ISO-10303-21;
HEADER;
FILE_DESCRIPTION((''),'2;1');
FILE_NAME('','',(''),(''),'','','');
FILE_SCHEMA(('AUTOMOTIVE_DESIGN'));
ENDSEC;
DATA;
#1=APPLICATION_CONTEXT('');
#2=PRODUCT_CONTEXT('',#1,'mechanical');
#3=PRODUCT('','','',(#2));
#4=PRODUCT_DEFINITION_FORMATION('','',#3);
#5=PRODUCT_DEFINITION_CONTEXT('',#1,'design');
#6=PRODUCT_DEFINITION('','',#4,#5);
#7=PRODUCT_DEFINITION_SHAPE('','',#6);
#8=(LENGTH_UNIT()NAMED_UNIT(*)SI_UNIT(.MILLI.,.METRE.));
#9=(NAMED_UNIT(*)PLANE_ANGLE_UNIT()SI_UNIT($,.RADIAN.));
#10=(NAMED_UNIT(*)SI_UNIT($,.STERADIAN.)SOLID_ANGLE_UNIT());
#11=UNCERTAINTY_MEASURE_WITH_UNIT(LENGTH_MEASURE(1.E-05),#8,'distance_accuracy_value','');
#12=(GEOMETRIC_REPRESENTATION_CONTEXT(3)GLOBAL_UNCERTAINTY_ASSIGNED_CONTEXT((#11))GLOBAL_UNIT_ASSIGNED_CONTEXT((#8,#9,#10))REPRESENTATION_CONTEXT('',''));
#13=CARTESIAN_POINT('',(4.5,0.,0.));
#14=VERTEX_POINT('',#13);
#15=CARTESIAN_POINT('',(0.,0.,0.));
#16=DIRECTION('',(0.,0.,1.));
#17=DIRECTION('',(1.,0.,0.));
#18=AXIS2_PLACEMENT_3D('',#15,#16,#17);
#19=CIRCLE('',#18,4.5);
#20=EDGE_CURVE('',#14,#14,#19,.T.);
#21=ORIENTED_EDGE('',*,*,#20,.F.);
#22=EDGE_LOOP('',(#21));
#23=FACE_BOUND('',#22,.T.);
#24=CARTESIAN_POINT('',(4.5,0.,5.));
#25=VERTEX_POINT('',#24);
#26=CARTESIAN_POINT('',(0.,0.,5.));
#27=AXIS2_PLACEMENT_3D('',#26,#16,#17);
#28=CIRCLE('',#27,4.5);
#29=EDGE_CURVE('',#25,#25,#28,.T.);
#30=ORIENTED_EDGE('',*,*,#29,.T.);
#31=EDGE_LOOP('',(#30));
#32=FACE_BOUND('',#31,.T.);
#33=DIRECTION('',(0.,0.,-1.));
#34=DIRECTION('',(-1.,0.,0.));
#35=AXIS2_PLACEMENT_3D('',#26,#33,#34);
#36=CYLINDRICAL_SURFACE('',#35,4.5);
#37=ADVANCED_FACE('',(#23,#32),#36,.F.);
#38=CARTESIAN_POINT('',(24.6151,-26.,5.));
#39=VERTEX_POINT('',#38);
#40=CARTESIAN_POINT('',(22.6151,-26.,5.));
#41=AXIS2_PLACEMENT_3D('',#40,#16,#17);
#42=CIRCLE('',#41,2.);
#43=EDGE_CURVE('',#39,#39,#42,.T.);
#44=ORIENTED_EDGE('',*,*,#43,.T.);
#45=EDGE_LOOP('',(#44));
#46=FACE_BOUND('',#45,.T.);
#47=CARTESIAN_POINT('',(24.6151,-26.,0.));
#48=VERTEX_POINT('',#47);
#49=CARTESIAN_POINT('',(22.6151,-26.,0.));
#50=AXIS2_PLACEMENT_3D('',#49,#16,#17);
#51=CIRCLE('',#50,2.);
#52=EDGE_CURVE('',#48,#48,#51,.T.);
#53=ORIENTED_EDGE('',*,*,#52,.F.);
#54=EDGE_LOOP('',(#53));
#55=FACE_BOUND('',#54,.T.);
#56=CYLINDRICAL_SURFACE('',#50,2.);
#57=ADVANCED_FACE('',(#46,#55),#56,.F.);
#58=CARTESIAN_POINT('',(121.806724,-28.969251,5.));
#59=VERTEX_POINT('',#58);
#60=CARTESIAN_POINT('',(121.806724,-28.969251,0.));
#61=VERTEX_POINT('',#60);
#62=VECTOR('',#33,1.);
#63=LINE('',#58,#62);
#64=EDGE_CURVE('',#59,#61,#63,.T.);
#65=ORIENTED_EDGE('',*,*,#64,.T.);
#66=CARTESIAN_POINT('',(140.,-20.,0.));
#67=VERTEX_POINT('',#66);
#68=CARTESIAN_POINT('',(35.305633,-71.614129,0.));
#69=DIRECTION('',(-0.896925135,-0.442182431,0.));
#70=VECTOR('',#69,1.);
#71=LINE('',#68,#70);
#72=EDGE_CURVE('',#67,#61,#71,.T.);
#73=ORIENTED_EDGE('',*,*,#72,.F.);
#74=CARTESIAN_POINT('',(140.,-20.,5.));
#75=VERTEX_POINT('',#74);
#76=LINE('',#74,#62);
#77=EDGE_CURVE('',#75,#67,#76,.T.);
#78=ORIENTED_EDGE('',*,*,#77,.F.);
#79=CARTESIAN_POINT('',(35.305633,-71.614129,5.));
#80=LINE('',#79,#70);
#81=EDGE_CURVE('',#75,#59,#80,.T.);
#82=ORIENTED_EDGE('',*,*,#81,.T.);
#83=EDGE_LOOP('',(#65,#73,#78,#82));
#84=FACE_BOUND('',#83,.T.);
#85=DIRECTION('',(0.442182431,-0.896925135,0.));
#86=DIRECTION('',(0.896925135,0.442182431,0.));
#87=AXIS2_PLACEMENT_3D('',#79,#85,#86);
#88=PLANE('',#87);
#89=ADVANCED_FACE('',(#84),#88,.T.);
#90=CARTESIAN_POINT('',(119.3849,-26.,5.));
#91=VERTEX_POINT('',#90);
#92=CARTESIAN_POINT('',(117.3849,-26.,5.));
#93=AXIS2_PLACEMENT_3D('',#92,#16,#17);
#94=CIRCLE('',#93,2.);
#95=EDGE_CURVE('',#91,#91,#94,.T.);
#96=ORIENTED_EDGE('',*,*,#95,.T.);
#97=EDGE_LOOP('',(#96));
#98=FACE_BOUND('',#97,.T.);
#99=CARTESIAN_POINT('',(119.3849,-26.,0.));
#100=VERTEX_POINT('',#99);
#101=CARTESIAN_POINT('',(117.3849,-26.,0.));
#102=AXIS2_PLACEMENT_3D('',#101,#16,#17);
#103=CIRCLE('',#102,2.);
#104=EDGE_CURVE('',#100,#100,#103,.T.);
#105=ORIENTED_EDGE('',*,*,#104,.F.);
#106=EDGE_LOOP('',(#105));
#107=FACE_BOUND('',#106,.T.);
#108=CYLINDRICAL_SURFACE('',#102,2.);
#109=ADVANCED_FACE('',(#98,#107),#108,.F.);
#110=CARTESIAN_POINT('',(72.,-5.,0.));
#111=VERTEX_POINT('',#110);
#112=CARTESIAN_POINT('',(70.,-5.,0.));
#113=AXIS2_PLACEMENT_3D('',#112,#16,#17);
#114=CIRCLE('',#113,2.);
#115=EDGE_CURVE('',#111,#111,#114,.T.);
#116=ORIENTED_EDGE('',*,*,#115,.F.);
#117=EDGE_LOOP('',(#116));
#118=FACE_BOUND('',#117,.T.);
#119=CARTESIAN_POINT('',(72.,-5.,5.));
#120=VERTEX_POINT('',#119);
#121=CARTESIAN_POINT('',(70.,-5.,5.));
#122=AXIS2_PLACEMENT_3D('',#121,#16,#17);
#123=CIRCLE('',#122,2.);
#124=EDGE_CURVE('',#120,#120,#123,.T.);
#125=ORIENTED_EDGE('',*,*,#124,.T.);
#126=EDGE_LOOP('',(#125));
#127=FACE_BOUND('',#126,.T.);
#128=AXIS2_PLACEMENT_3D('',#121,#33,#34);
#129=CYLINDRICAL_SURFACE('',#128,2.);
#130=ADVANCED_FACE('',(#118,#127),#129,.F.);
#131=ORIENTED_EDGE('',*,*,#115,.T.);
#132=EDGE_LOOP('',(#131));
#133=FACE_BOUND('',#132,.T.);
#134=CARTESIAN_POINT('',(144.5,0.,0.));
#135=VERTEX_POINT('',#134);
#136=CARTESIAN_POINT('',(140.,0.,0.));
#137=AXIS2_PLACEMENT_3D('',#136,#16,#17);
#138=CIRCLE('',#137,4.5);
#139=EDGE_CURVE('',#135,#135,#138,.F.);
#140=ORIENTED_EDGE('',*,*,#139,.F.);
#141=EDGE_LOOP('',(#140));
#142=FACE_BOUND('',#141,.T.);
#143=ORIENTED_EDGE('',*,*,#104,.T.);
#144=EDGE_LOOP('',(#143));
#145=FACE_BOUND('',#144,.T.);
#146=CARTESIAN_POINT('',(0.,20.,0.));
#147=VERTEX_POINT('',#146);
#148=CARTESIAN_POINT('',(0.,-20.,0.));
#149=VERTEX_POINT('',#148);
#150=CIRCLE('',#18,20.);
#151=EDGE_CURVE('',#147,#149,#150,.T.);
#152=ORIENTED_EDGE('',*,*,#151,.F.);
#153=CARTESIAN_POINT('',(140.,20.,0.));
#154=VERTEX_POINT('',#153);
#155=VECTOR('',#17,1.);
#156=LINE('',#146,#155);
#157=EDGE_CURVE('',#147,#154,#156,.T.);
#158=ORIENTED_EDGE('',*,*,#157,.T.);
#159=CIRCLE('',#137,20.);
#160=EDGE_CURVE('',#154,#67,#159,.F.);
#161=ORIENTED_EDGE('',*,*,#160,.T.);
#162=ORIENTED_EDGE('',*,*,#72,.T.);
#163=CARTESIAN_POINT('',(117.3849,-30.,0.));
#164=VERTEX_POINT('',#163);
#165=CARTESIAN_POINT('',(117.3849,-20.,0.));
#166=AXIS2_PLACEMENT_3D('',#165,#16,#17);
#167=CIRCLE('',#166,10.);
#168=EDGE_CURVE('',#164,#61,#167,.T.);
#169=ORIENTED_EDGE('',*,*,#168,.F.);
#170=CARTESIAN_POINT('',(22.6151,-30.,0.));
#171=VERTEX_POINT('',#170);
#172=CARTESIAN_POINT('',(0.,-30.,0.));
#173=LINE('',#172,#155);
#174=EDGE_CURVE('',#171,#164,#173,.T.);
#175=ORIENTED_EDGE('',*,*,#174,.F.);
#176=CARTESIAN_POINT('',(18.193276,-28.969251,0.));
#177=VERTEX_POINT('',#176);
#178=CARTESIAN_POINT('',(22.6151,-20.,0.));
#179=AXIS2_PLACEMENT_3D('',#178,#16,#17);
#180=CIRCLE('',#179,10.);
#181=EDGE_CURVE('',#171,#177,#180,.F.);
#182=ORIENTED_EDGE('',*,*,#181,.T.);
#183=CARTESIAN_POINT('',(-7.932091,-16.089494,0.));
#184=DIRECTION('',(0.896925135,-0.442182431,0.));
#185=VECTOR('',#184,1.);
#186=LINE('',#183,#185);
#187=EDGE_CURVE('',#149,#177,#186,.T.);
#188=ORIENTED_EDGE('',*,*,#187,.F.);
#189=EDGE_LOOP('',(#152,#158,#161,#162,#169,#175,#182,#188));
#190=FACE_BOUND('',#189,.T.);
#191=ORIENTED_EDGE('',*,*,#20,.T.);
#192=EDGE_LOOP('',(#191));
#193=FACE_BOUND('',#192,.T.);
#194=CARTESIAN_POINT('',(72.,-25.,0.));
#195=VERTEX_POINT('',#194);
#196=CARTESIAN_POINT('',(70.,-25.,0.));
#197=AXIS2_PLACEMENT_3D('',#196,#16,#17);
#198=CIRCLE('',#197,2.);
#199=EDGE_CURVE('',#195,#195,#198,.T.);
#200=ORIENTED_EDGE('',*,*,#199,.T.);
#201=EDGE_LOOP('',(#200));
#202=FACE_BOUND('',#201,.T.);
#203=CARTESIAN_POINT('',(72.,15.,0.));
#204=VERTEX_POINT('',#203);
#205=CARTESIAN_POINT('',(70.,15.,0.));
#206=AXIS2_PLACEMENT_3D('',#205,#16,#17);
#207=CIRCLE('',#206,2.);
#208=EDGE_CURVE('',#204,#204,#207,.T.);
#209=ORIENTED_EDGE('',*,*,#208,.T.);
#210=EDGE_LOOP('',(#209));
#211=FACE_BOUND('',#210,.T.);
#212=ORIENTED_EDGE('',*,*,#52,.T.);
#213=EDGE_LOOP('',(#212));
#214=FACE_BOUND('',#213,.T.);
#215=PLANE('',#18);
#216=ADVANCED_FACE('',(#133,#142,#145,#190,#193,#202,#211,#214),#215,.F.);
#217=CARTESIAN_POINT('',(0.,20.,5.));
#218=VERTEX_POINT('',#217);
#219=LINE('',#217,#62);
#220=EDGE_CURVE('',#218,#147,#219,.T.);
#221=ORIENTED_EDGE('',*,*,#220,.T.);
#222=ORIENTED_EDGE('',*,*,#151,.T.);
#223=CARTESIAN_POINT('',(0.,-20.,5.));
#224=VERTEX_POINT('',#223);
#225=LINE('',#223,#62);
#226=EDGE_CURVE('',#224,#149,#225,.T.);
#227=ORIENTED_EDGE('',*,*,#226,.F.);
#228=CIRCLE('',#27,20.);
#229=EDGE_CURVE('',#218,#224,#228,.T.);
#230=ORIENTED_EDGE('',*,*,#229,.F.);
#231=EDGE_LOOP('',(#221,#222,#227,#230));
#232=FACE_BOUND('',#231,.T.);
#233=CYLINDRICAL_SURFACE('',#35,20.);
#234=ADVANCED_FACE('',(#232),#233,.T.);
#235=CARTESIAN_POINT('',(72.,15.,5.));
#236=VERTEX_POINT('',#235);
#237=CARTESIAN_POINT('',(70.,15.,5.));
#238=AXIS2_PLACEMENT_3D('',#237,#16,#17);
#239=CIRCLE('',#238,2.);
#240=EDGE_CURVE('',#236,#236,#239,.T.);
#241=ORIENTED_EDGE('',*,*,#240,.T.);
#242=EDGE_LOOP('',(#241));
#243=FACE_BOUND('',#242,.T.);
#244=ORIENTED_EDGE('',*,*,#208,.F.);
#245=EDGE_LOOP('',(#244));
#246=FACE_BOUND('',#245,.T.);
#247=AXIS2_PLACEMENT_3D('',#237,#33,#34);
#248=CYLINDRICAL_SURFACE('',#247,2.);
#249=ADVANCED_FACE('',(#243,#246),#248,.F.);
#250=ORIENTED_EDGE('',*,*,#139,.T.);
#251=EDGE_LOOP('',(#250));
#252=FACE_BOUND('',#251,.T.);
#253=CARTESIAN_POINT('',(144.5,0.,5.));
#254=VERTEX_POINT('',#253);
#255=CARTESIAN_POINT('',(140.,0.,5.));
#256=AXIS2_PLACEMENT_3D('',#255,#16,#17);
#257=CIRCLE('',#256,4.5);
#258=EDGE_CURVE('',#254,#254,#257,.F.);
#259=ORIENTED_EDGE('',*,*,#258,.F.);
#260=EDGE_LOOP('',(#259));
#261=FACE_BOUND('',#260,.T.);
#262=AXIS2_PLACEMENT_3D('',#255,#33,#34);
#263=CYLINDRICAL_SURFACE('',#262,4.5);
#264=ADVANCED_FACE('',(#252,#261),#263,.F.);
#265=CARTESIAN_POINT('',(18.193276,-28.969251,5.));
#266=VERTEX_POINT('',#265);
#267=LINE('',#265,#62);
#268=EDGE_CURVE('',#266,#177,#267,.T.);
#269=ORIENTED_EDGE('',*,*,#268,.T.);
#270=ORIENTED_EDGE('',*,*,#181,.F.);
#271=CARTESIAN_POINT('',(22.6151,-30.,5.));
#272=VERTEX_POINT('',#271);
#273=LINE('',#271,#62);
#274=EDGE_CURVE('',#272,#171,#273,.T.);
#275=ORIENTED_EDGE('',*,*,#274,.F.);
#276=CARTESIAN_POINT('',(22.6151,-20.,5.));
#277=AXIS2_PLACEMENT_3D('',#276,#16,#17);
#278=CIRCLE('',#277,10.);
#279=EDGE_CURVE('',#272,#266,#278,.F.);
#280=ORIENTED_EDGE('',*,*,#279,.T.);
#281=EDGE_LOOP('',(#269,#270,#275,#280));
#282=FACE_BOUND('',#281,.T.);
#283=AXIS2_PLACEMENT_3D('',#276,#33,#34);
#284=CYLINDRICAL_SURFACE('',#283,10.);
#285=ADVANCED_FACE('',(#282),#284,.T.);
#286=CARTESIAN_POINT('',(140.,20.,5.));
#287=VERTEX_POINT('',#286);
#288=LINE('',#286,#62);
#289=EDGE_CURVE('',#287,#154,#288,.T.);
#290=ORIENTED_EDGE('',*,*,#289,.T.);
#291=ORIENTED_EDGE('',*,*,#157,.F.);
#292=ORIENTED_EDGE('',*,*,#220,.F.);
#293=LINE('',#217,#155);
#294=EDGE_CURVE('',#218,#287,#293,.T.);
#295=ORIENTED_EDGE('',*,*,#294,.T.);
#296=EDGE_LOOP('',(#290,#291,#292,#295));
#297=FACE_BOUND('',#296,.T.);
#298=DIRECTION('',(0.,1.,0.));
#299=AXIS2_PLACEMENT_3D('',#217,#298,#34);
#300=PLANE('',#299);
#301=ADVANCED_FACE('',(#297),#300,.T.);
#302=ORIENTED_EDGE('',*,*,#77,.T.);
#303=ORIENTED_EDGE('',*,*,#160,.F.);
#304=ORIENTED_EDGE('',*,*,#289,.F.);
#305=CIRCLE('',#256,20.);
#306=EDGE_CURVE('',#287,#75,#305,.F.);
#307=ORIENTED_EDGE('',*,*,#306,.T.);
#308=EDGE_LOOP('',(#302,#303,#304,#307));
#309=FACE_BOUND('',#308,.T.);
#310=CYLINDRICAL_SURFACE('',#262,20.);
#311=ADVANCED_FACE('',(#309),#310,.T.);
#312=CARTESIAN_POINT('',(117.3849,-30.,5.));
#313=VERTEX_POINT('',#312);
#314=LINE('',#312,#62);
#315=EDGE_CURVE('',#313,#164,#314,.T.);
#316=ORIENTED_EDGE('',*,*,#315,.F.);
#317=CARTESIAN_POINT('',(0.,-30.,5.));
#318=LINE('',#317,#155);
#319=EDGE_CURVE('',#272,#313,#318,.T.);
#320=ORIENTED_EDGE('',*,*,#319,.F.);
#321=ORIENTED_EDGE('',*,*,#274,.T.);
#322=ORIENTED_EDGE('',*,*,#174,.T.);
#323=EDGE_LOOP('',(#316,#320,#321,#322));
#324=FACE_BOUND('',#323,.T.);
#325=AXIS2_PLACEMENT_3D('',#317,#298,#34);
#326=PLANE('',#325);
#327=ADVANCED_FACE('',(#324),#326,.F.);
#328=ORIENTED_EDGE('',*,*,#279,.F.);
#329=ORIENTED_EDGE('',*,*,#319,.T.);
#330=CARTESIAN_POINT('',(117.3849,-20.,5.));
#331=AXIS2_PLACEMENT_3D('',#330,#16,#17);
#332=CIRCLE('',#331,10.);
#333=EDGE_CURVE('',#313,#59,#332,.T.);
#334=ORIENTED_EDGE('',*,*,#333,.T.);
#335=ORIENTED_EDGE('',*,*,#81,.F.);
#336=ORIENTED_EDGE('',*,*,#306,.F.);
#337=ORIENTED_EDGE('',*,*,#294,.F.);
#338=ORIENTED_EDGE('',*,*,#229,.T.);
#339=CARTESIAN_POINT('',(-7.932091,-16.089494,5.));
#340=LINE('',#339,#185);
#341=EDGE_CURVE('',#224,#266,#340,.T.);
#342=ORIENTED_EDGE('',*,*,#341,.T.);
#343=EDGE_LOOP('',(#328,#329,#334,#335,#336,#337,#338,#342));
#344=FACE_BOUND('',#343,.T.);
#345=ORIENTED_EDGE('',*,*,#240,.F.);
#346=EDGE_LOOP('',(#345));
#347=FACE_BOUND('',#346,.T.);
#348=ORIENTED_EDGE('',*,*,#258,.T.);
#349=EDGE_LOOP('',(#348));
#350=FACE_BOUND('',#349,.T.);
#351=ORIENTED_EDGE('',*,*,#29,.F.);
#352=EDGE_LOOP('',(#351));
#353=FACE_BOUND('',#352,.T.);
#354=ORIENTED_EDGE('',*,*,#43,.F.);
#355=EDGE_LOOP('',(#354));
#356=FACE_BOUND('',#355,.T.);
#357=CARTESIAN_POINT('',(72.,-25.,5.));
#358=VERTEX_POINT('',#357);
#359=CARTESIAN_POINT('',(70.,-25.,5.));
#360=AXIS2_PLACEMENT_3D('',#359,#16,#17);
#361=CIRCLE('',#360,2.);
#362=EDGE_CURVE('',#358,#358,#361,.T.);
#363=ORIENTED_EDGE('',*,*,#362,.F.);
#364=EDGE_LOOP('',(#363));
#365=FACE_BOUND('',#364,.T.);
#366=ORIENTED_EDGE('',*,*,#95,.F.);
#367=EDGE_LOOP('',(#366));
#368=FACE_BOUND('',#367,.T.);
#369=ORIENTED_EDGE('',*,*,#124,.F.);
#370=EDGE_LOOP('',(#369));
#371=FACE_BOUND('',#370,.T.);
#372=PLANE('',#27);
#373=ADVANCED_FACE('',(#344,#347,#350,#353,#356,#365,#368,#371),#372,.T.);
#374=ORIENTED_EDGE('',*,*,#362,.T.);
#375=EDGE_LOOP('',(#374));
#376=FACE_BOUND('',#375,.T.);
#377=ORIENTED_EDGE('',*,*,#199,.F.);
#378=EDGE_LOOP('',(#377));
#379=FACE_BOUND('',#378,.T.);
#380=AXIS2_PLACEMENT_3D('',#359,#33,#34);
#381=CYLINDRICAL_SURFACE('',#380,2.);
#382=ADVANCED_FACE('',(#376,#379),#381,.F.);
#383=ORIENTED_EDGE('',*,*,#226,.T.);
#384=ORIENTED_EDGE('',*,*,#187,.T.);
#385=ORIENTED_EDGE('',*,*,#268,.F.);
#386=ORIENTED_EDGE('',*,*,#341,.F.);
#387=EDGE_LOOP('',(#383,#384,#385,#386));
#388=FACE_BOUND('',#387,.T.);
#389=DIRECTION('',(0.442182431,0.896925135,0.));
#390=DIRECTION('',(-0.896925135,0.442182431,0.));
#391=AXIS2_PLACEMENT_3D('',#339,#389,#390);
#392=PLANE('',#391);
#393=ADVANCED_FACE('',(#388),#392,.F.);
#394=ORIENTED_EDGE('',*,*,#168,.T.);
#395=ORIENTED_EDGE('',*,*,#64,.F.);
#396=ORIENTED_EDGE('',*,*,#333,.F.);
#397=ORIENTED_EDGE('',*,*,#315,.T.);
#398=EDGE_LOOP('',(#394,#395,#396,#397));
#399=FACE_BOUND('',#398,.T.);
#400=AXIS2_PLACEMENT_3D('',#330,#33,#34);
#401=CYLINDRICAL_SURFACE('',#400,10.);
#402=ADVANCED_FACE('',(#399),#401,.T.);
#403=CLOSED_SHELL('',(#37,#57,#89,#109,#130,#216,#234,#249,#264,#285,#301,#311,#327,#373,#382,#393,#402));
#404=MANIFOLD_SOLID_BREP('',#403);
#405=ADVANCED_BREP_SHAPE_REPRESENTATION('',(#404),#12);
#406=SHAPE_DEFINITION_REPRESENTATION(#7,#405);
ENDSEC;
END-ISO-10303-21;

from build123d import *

# Parameters (mm, degrees)
EXTRUDE_1_DEPTH     = 5
SKETCH_2_R          = 2
CUT_EXTRUDE_1_DEPTH = 5


with BuildPart() as part:
    # 草图1 → 凸台-拉伸1 (new body)
    with BuildSketch(Plane.XY):
        with BuildLine():
            ThreePointArc((20, 0), (14.142135624, 14.142135624), (0, 20))
            Line((0, 20), (0, 4.5))
            ThreePointArc((0, 4.5), (3.181980515, 3.181980515), (4.5, 0))
            ThreePointArc((4.5, 0), (3.181980515, -3.181980515), (0, -4.5))
            Line((0, -4.5), (0, -20))
            ThreePointArc((0, -20), (14.142135624, -14.142135624), (20, 0))
        make_face()
        with BuildLine():
            Line((0, 4.5), (0, 20))
            ThreePointArc((0, 20), (-20, 0), (0, -20))
            Line((0, -20), (0, -4.5))
            ThreePointArc((0, -4.5), (-4.5, 0), (0, 4.5))
        make_face()
        with BuildLine():
            Line((70, 20), (0, 20))
            ThreePointArc((0, 20), (14.142135624, 14.142135624), (20, 0))
            ThreePointArc((20, 0), (14.142135624, -14.142135624), (0, -20))
            Line((0, -20), (18.19327595, -28.969251351))
            ThreePointArc((18.19327595, -28.969251351), (20.344914528, -29.738904289), (22.615100256, -30))
            Line((22.615100256, -30), (70, -30))
            Line((70, -30), (70, -27))
            ThreePointArc((70, -27), (68, -25), (70, -23))
            Line((70, -23), (70, -7))
            ThreePointArc((70, -7), (68, -5), (70, -3))
            Line((70, -3), (70, 13))
            ThreePointArc((70, 13), (68, 15), (70, 17))
            Line((70, 17), (70, 20))
        make_face()
        with BuildLine():
            Line((140, 20), (70, 20))
            Line((70, 20), (70, 17))
            ThreePointArc((70, 17), (71.414213562, 16.414213562), (72, 15))
            ThreePointArc((72, 15), (71.414213562, 13.585786438), (70, 13))
            Line((70, 13), (70, -3))
            ThreePointArc((70, -3), (71.414213562, -3.585786438), (72, -5))
            ThreePointArc((72, -5), (71.414213562, -6.414213562), (70, -7))
            Line((70, -7), (70, -23))
            ThreePointArc((70, -23), (71.414213562, -23.585786438), (72, -25))
            ThreePointArc((72, -25), (71.414213562, -26.414213562), (70, -27))
            Line((70, -27), (70, -30))
            Line((70, -30), (117.384899744, -30))
            ThreePointArc((117.384899744, -30), (119.655085472, -29.738904289), (121.80672405, -28.969251351))
            Line((121.80672405, -28.969251351), (140, -20))
            ThreePointArc((140, -20), (120, 0), (140, 20))
        make_face()
        with BuildLine():
            ThreePointArc((160, 0), (154.142135624, 14.142135624), (140, 20))
            Line((140, 20), (140, 4.5))
            ThreePointArc((140, 4.5), (143.181980515, 3.181980515), (144.5, 0))
            ThreePointArc((144.5, 0), (143.181980515, -3.181980515), (140, -4.5))
            Line((140, -4.5), (140, -20))
            ThreePointArc((140, -20), (154.142135624, -14.142135624), (160, 0))
        make_face()
        with BuildLine():
            Line((140, 4.5), (140, 20))
            ThreePointArc((140, 20), (120, 0), (140, -20))
            Line((140, -20), (140, -4.5))
            ThreePointArc((140, -4.5), (135.5, 0), (140, 4.5))
        make_face()
    extrude(amount=EXTRUDE_1_DEPTH)

    # 草图2 → 切除-拉伸1 (cut)
    with BuildSketch(Plane.XY.offset(5)):
        with Locations((22.615100256, -26)):
            Circle(SKETCH_2_R)
        with Locations((117.384899744, -26)):
            Circle(SKETCH_2_R)
    extrude(amount=-CUT_EXTRUDE_1_DEPTH, mode=Mode.SUBTRACT)


solid = part.part
